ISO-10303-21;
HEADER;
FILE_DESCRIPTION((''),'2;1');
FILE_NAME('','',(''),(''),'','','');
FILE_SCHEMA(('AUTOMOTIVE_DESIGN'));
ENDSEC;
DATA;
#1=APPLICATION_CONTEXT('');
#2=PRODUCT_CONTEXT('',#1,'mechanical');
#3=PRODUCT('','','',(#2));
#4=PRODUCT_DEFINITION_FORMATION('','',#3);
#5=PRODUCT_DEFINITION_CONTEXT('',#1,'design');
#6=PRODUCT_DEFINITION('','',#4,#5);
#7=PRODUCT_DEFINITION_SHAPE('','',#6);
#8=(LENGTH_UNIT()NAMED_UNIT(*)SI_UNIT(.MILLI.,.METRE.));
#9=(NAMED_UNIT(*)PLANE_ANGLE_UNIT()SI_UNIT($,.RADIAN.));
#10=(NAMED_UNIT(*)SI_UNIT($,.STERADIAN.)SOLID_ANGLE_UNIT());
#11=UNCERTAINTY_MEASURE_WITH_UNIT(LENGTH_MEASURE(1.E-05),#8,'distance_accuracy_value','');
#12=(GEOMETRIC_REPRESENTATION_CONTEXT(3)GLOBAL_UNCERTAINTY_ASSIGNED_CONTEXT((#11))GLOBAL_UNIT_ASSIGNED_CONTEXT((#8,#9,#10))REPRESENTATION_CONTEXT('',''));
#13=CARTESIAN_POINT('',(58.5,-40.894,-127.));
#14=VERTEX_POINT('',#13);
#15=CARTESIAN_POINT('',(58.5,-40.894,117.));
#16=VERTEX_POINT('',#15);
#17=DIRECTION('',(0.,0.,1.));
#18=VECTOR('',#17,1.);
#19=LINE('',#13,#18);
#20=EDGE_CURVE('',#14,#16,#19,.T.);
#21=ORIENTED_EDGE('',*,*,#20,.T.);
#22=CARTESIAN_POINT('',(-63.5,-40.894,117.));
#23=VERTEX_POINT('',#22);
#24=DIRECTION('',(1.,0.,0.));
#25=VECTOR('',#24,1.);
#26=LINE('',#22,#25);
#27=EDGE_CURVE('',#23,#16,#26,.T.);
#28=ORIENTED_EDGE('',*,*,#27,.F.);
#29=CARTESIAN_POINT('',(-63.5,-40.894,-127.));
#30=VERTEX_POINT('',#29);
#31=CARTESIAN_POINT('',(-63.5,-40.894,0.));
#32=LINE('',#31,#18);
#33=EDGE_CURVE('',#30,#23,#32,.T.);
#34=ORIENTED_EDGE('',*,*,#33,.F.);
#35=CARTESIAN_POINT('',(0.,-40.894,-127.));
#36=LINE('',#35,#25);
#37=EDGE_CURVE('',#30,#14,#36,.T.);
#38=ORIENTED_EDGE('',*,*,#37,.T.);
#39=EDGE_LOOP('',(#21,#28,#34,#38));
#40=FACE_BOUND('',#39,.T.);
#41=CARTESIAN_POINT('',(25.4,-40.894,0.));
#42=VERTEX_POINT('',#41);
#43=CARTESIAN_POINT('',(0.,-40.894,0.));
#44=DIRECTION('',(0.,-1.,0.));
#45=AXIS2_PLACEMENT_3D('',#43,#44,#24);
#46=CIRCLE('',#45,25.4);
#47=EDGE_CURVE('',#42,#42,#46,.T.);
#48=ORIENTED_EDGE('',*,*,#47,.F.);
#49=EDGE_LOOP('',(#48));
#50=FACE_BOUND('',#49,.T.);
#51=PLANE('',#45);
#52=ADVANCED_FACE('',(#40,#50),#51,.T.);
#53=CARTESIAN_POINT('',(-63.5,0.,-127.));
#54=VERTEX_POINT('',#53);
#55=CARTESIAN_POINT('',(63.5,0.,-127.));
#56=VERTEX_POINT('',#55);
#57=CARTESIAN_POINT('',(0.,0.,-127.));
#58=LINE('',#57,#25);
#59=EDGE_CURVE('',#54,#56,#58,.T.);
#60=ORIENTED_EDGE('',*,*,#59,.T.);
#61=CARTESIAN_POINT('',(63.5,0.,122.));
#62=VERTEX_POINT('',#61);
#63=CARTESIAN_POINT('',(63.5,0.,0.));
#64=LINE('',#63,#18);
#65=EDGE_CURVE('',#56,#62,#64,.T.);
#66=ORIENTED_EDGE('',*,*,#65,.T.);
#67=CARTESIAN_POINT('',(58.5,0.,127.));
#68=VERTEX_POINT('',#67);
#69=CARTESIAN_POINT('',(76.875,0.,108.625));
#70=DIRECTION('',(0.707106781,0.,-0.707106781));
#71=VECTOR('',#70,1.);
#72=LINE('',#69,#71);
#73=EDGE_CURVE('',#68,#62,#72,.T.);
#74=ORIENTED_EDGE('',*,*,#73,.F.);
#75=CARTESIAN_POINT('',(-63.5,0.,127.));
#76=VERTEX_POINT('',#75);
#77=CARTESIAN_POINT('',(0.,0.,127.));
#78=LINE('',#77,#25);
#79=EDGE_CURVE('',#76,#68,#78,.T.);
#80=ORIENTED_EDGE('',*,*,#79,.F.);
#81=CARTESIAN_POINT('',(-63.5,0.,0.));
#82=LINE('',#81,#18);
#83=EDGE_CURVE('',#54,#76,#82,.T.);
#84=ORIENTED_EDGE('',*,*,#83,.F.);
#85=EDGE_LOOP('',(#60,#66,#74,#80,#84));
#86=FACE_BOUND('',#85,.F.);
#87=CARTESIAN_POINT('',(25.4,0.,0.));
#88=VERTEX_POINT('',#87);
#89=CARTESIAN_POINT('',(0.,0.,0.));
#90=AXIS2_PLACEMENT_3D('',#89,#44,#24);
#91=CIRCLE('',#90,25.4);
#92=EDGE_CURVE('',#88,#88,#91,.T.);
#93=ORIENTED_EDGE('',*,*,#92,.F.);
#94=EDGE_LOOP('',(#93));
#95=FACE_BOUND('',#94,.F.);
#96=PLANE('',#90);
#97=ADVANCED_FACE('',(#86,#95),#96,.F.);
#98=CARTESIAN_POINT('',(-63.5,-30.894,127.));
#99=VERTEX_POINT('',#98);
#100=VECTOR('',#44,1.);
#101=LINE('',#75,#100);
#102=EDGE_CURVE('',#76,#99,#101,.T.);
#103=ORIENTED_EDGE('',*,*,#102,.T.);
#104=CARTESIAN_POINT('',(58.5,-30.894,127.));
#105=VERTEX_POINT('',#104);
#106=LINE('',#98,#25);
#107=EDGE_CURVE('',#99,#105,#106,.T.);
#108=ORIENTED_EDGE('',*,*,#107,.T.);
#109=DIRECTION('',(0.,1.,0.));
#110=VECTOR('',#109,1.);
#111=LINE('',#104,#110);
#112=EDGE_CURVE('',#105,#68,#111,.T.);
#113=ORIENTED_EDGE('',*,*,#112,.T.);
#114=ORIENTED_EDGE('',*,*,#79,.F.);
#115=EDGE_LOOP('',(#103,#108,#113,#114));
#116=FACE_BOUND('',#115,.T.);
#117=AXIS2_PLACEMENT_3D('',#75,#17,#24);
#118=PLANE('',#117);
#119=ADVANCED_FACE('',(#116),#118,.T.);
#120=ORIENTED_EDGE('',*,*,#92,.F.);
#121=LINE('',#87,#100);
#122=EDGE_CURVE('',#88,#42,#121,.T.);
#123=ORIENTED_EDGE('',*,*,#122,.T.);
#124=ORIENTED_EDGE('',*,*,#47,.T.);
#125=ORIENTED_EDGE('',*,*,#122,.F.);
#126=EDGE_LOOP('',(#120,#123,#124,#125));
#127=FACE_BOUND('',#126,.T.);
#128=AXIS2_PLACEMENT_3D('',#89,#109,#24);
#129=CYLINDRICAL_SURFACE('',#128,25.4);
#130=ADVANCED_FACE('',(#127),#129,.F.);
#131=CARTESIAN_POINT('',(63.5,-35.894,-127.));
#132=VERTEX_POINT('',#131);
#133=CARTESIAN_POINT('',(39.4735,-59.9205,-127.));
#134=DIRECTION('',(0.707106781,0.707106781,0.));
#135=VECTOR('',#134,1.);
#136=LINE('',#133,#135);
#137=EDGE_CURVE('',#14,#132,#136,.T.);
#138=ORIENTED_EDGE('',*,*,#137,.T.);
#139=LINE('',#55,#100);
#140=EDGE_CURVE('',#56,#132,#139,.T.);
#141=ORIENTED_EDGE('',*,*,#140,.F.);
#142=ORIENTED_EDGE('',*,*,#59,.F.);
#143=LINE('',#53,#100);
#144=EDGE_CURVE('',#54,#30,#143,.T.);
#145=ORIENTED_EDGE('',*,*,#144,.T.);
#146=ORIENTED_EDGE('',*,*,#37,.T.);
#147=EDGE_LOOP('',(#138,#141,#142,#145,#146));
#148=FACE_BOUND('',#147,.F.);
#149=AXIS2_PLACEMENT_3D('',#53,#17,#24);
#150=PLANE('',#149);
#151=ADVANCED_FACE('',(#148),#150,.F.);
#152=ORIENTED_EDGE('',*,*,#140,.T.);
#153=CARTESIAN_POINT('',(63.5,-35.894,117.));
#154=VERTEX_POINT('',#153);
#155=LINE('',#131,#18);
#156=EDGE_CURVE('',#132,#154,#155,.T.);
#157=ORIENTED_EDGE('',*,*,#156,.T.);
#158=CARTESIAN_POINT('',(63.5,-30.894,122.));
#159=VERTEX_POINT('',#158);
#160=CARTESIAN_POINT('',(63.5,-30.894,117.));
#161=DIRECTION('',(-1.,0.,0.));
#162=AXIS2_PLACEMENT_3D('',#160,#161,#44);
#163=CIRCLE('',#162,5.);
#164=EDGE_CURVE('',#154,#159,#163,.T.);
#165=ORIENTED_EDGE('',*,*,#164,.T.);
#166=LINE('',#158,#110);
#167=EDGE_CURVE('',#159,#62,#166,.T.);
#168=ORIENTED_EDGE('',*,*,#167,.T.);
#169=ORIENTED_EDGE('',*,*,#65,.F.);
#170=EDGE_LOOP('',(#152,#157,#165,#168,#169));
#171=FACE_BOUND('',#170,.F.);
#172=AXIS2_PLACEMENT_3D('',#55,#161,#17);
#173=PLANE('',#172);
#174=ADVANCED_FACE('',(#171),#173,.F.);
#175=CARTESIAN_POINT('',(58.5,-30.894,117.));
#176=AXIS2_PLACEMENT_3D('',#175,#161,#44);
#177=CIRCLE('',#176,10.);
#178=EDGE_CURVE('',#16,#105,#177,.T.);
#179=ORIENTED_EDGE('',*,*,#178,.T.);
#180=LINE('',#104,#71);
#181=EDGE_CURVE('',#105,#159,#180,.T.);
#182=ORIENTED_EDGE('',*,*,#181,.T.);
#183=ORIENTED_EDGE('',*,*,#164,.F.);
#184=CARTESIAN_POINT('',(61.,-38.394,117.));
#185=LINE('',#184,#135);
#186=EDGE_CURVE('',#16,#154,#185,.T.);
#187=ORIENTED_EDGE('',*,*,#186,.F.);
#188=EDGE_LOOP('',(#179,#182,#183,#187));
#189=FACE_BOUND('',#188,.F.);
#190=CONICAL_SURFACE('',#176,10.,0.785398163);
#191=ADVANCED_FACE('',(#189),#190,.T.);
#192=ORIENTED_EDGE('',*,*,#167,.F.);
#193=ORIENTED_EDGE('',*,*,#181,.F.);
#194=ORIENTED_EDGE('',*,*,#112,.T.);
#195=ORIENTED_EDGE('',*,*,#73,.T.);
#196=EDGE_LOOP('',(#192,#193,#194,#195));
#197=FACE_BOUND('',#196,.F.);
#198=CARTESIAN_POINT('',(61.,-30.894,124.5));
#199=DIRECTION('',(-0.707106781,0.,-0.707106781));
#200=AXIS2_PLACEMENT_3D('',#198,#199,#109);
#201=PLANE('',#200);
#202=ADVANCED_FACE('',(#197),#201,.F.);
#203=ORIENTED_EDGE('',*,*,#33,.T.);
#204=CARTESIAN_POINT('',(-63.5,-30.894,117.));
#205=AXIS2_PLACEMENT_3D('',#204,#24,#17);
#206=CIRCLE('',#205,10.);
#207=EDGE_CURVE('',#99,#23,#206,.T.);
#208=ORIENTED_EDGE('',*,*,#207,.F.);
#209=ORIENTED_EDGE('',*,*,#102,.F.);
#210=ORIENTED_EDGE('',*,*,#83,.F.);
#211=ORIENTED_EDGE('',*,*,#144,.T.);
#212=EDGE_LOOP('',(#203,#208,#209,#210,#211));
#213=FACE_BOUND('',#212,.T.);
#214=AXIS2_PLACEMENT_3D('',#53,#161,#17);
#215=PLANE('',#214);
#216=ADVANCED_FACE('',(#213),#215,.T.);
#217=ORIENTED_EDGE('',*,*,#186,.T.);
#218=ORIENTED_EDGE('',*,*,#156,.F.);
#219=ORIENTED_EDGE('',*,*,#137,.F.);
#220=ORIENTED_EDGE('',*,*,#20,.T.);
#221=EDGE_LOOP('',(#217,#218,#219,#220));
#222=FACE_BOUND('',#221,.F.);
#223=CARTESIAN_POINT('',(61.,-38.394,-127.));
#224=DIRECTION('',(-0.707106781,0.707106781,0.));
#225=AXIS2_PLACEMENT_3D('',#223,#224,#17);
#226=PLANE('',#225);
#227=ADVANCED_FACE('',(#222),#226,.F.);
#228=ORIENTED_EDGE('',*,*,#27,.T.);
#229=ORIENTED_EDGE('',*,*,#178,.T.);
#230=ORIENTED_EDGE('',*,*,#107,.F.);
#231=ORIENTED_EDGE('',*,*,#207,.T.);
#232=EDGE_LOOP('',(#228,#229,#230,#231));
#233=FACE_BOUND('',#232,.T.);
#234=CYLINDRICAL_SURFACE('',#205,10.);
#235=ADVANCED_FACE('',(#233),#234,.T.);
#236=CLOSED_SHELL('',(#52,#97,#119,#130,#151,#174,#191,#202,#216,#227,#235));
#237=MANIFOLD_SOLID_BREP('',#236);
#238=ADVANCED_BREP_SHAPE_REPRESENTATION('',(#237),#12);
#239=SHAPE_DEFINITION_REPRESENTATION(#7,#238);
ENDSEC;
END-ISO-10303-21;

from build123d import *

# Parameters (mm, degrees)
F0_W     = 127
F0_H     = 254
F0_R     = 25.4
F1_DEPTH = 40.894
F2_R     = 10
F3_SIZE  = 5


with BuildPart() as f1:
    # F0 (on Front) → F1 (new body)
    with BuildSketch(Plane.XZ):
        Rectangle(F0_W, F0_H)
        Circle(F0_R, mode=Mode.SUBTRACT)
    extrude(amount=F1_DEPTH)

    # F2
    f2_edges = [f1.edges().sort_by_distance(p)[0] for p in [
        (0, -40.894, 127),
    ]]
    fillet(f2_edges, radius=F2_R)

    # F3
    f3_edges = [f1.edges().sort_by_distance(p)[0] for p in [
        (63.5, -40.894, -5),
    ]]
    chamfer(f3_edges, length=F3_SIZE)


solid = f1.part
